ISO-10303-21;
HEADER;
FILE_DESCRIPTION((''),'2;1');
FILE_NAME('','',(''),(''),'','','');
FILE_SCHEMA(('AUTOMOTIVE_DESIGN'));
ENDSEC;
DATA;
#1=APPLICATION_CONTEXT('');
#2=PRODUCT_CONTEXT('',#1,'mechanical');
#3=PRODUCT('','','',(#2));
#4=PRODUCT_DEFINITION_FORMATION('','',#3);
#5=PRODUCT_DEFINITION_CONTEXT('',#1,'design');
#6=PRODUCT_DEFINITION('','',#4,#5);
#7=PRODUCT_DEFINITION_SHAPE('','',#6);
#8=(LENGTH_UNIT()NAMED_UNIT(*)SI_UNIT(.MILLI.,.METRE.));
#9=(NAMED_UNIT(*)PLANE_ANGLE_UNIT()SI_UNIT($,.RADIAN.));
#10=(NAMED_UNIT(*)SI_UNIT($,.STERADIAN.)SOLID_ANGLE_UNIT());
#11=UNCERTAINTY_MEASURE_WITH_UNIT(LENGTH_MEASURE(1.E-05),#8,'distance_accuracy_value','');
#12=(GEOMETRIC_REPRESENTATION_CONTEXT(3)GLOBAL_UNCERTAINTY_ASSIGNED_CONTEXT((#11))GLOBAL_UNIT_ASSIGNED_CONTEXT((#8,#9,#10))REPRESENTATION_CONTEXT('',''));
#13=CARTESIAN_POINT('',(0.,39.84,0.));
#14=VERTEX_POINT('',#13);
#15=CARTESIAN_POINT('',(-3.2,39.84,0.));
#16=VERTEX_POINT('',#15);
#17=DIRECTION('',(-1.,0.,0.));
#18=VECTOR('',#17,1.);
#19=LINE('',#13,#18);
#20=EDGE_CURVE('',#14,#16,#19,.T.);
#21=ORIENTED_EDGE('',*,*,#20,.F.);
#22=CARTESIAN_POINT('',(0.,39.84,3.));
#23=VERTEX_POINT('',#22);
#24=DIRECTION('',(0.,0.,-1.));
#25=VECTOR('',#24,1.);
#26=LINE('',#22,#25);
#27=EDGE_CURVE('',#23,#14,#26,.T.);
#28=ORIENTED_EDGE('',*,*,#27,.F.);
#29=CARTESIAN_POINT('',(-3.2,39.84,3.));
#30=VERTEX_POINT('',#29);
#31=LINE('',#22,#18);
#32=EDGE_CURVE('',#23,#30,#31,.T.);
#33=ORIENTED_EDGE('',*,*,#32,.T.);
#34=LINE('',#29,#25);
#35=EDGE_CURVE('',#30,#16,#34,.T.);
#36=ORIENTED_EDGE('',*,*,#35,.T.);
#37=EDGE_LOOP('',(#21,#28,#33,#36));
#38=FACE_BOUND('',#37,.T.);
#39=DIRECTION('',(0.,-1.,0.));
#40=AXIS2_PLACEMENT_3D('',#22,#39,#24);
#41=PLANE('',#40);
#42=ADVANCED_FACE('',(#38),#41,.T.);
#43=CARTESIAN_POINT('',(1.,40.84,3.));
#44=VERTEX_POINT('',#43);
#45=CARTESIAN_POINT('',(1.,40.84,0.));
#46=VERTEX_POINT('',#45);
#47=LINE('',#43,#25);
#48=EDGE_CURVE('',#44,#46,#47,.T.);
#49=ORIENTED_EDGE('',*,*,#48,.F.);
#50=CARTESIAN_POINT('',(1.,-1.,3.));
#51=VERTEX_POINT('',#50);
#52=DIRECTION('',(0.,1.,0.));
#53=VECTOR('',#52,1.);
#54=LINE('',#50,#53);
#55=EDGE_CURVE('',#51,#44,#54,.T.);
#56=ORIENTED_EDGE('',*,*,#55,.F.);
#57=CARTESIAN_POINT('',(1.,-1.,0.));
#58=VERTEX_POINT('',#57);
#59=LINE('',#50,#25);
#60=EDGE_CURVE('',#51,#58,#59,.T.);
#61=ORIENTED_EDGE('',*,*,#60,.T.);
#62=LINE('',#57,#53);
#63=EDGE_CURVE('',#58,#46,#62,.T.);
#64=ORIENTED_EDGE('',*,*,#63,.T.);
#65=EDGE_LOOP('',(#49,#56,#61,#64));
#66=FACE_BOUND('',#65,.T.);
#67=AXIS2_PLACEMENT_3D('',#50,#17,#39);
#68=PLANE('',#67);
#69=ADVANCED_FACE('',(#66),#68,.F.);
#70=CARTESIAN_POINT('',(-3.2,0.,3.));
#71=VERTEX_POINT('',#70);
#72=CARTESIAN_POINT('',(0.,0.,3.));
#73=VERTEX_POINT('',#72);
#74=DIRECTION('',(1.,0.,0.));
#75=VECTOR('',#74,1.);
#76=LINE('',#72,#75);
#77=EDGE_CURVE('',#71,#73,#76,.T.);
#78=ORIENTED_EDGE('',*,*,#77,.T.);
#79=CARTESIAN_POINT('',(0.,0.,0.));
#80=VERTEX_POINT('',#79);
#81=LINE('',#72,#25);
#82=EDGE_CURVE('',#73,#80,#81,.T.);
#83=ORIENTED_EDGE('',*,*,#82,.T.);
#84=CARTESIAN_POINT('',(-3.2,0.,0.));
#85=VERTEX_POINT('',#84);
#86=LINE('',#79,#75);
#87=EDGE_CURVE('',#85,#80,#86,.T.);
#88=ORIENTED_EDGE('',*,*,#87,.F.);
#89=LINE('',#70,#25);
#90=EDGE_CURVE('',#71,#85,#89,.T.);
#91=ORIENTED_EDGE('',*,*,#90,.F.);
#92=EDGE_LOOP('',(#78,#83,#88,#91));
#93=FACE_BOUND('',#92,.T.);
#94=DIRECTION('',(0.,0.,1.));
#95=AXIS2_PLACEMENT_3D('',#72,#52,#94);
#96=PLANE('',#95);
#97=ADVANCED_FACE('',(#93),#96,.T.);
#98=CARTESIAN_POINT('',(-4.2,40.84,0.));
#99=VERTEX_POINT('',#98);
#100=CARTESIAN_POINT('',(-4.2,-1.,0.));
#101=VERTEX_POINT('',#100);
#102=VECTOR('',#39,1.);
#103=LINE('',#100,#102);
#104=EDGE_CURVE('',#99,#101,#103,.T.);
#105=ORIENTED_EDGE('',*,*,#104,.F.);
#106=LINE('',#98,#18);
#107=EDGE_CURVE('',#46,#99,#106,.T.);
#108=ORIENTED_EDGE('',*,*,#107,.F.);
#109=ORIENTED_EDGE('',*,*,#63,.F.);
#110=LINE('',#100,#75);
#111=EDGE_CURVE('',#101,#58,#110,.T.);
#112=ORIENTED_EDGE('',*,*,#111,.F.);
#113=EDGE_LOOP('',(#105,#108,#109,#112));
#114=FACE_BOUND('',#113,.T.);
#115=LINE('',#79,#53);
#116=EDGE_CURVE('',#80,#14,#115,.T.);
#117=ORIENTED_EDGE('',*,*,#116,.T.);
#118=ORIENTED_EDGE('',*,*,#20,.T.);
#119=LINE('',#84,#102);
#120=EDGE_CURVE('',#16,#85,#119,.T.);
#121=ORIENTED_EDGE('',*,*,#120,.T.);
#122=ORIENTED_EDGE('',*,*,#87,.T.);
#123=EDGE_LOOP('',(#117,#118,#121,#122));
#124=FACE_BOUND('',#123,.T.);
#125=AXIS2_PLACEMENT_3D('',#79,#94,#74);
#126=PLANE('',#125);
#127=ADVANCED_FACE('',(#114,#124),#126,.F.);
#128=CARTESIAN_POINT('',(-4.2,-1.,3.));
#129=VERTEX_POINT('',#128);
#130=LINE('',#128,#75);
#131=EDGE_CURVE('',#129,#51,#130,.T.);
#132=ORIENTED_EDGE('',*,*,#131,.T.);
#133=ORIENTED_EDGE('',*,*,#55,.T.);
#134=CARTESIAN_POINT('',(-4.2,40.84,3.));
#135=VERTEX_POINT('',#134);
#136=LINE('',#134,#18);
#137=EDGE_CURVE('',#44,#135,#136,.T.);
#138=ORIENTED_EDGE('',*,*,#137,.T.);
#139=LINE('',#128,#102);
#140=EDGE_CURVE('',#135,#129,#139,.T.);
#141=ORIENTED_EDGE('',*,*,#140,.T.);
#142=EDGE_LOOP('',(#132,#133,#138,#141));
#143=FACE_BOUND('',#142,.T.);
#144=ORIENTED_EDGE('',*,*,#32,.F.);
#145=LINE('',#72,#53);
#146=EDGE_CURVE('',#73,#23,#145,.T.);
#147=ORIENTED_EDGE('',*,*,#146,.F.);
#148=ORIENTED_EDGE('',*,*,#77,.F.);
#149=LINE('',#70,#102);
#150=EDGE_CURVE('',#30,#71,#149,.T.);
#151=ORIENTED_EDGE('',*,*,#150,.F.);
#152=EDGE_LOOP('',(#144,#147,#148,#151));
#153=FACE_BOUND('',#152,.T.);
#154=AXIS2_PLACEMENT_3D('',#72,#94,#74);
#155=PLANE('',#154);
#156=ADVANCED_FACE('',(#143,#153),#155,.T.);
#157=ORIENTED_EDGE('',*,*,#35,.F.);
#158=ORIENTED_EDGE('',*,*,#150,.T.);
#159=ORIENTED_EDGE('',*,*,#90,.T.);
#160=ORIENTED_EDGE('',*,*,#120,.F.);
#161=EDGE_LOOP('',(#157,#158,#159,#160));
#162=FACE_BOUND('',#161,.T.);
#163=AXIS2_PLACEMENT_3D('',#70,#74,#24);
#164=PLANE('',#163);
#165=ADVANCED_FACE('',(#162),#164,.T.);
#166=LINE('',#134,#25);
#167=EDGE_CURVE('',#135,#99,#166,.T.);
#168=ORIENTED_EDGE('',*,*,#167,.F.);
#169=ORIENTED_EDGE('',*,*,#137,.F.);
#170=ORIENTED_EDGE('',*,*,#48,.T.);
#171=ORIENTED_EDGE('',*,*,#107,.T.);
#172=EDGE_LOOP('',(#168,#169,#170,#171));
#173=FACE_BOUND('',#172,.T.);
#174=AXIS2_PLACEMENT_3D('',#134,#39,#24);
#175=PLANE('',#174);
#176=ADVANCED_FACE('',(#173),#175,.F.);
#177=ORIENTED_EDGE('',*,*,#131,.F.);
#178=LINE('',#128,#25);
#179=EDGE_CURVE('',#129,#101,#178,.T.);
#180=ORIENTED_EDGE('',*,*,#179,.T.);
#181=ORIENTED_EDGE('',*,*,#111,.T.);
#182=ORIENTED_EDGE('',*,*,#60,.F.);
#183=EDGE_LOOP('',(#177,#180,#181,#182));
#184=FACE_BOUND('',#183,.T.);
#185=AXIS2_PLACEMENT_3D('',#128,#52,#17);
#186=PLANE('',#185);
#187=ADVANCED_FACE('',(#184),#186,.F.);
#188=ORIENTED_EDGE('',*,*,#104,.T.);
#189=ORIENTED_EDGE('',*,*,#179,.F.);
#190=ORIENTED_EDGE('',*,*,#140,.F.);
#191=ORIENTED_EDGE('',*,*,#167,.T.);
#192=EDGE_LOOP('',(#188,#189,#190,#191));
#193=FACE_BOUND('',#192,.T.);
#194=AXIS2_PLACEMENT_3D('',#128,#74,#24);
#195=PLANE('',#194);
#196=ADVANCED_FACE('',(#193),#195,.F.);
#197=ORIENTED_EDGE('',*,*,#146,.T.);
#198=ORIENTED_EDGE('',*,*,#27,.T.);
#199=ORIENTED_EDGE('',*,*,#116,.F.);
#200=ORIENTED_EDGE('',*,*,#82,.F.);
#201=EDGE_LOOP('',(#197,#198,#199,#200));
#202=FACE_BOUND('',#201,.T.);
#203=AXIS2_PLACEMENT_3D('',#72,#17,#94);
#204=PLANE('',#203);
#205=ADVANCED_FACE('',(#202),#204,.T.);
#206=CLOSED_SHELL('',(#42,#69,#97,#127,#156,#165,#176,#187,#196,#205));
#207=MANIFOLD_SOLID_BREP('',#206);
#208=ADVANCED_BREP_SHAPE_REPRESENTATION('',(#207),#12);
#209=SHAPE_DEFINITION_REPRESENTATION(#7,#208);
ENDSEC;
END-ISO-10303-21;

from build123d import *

# Parameters (mm, degrees)
SKETCH1_W           = 41.84
SKETCH1_H           = 5.2
SKETCH1_W_2         = 39.84
SKETCH1_H_2         = 3.2
BOSS_EXTRUDE1_DEPTH = 3


with BuildPart() as part:
    # Sketch1 → Boss-Extrude1 (new body)
    with BuildSketch(Plane(origin=(0, 0, 0), x_dir=(0, 1, 0), z_dir=(0, 0, 1))):
        with Locations((19.92, 1.6)):
            Rectangle(SKETCH1_W, SKETCH1_H)
        with Locations((19.92, 1.6)):
            Rectangle(SKETCH1_W_2, SKETCH1_H_2, mode=Mode.SUBTRACT)
    extrude(amount=BOSS_EXTRUDE1_DEPTH)


solid = part.part
